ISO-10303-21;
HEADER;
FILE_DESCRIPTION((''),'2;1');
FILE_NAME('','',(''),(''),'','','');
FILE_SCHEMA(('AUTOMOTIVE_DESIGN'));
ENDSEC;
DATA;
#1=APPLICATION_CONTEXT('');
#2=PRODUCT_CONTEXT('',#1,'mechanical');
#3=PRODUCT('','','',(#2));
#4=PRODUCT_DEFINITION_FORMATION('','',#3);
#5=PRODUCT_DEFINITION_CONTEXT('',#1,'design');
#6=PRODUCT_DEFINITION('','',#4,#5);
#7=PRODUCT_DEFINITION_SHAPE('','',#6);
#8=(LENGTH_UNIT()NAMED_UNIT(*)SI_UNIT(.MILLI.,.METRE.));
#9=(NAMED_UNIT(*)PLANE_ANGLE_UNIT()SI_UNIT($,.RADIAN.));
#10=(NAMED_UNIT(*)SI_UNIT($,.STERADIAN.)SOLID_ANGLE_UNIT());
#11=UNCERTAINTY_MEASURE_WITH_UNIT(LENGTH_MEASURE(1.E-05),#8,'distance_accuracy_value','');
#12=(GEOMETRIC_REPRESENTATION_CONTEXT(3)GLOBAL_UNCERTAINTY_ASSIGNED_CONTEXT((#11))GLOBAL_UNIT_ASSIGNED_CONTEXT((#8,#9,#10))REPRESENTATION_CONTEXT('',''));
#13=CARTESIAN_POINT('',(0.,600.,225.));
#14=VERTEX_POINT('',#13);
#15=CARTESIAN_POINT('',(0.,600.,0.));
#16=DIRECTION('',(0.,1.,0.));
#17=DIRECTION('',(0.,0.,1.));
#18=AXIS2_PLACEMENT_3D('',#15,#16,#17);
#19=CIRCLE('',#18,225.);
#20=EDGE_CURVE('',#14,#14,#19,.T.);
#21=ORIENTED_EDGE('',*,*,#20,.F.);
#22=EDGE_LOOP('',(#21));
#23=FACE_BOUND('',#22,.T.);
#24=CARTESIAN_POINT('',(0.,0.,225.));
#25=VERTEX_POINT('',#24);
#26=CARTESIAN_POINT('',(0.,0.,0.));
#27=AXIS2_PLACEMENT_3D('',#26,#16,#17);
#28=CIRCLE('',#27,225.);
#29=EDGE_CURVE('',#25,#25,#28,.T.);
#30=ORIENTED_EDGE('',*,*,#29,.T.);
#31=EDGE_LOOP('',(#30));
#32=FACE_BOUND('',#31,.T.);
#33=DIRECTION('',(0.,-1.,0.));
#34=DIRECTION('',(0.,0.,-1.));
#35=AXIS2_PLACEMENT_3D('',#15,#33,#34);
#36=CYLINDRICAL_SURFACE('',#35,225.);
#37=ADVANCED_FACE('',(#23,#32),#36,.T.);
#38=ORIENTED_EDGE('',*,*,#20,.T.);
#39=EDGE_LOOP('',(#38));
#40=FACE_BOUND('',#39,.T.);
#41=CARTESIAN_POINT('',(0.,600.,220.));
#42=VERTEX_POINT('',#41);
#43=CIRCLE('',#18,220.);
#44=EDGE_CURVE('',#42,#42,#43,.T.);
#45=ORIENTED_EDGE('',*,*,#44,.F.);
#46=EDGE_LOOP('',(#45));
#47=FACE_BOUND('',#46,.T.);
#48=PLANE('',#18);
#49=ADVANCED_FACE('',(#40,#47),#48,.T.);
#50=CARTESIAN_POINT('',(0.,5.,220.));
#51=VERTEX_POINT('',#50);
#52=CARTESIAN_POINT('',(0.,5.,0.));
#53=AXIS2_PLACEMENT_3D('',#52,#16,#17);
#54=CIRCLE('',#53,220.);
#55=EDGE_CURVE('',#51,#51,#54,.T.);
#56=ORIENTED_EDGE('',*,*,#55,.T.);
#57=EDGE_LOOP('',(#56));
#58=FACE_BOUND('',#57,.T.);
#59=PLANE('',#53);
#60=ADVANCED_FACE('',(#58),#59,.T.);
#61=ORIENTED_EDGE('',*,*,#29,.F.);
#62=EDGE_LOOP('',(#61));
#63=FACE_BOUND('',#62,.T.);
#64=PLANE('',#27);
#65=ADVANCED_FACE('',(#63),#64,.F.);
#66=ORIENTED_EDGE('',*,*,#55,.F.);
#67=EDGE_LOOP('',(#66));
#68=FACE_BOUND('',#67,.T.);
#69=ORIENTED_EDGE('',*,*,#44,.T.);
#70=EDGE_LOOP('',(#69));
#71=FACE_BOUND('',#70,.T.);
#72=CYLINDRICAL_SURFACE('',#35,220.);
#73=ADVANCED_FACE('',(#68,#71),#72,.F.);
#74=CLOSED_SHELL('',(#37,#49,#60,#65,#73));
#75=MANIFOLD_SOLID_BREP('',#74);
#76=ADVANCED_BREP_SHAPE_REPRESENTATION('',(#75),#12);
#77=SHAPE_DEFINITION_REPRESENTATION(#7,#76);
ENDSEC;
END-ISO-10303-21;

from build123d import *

# Parameters (mm, degrees)
SKETCH1_R           = 225
BOSS_EXTRUDE1_DEPTH = 600
SHELL1_T            = -5


with BuildPart() as part:
    # Sketch1 → Boss-Extrude1 (new body)
    with BuildSketch(Plane(origin=(0, 0, 0), x_dir=(1, 0, 0), z_dir=(0, 1, 0))):
        with Locations(Location((0, 0, 0), (0, 0, 270))):
            Circle(SKETCH1_R)
    extrude(amount=BOSS_EXTRUDE1_DEPTH)

    # Shell1
    shell1_openings = [part.faces().sort_by_distance(p)[0] for p in [
        (0, 600, 0),
    ]]
    offset(amount=SHELL1_T, openings=shell1_openings, kind=Kind.INTERSECTION)


solid = part.part
